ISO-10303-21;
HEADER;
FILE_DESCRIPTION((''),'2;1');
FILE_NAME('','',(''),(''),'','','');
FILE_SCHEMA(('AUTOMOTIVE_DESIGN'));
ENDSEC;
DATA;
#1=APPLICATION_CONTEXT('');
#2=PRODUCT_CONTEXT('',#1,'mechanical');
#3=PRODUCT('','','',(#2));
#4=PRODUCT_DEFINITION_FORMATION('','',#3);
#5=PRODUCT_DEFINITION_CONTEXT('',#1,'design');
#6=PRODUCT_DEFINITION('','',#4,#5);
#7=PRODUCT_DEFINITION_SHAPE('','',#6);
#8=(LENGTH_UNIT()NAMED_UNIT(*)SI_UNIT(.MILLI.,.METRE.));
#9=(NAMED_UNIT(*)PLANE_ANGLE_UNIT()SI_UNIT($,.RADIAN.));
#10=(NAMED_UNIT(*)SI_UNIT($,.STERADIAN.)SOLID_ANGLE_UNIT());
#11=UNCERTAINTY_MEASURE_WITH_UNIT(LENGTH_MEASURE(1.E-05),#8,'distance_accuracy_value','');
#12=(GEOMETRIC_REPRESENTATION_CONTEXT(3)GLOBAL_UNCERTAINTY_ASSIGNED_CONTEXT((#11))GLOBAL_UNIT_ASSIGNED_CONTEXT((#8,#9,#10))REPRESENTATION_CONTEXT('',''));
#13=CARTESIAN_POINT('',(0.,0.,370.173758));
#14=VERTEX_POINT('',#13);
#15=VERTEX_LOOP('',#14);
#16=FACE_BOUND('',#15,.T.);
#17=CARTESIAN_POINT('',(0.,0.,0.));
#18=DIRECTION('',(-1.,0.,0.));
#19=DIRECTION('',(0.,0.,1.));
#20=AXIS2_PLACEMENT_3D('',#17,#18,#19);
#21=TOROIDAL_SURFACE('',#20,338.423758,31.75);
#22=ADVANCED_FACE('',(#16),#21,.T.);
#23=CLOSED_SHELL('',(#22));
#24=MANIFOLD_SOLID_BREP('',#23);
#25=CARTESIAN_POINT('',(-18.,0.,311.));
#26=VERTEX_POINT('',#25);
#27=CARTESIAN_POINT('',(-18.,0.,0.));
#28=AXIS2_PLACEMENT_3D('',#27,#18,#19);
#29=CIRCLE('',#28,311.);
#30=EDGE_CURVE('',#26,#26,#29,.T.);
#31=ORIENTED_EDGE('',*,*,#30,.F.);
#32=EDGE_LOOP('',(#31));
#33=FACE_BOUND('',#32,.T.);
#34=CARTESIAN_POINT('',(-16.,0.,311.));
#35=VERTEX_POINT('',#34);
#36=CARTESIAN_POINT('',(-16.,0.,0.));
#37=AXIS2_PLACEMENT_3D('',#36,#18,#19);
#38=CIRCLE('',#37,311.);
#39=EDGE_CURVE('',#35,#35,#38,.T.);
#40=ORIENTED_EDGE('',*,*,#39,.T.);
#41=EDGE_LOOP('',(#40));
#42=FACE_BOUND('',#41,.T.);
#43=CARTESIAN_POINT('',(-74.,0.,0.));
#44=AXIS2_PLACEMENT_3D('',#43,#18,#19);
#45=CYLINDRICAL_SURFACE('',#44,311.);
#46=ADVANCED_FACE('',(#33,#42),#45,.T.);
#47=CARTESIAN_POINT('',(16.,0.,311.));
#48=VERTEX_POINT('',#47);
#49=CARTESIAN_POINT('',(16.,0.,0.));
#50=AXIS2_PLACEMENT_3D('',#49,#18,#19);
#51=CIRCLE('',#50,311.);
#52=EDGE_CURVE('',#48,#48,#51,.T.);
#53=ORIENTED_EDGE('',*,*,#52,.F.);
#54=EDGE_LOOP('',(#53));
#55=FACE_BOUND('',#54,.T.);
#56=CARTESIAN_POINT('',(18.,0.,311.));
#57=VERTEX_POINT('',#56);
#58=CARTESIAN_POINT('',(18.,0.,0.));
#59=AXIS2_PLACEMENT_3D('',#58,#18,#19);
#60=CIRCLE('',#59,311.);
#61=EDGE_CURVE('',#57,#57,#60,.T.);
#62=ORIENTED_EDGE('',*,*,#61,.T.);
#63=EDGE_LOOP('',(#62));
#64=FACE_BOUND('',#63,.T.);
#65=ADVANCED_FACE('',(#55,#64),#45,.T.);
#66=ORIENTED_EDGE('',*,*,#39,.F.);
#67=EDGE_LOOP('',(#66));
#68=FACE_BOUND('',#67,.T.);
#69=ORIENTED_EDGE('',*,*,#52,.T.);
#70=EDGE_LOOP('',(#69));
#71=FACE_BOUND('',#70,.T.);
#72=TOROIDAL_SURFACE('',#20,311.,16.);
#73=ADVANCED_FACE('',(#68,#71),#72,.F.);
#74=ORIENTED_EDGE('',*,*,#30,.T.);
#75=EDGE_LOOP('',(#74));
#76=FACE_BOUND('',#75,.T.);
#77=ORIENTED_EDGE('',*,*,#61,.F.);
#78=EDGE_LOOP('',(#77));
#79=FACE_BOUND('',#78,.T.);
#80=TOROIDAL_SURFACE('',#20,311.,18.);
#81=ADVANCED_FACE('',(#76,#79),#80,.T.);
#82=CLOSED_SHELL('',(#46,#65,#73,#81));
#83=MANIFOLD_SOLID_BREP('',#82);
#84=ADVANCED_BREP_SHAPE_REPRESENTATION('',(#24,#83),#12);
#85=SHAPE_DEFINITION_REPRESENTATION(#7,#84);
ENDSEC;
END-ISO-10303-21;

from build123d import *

# Parameters (mm, degrees)
SKETCH3_R = 31.75


with BuildPart() as part:
    # Sketch2 → Revolve1 (revolve)
    with BuildSketch(Plane.XY):
        with BuildLine():
            Line((-18, 311), (-16, 311))
            ThreePointArc((-16, 311), (0, 295), (16, 311))
            Line((16, 311), (18, 311))
            ThreePointArc((18, 311), (0, 293), (-18, 311))
        make_face()
    revolve(axis=Axis((-74, 0, 0), (1, 0, 0)))


with BuildPart() as body_2:
    # Sketch3 → Revolve2 (revolve)
    with BuildSketch(Plane.XY):
        with Locations((0, 338.423757948)):
            Circle(SKETCH3_R)
    revolve(axis=Axis((-71, 0, 0), (1, 0, 0)))


solid = Compound([part.part, body_2.part])
